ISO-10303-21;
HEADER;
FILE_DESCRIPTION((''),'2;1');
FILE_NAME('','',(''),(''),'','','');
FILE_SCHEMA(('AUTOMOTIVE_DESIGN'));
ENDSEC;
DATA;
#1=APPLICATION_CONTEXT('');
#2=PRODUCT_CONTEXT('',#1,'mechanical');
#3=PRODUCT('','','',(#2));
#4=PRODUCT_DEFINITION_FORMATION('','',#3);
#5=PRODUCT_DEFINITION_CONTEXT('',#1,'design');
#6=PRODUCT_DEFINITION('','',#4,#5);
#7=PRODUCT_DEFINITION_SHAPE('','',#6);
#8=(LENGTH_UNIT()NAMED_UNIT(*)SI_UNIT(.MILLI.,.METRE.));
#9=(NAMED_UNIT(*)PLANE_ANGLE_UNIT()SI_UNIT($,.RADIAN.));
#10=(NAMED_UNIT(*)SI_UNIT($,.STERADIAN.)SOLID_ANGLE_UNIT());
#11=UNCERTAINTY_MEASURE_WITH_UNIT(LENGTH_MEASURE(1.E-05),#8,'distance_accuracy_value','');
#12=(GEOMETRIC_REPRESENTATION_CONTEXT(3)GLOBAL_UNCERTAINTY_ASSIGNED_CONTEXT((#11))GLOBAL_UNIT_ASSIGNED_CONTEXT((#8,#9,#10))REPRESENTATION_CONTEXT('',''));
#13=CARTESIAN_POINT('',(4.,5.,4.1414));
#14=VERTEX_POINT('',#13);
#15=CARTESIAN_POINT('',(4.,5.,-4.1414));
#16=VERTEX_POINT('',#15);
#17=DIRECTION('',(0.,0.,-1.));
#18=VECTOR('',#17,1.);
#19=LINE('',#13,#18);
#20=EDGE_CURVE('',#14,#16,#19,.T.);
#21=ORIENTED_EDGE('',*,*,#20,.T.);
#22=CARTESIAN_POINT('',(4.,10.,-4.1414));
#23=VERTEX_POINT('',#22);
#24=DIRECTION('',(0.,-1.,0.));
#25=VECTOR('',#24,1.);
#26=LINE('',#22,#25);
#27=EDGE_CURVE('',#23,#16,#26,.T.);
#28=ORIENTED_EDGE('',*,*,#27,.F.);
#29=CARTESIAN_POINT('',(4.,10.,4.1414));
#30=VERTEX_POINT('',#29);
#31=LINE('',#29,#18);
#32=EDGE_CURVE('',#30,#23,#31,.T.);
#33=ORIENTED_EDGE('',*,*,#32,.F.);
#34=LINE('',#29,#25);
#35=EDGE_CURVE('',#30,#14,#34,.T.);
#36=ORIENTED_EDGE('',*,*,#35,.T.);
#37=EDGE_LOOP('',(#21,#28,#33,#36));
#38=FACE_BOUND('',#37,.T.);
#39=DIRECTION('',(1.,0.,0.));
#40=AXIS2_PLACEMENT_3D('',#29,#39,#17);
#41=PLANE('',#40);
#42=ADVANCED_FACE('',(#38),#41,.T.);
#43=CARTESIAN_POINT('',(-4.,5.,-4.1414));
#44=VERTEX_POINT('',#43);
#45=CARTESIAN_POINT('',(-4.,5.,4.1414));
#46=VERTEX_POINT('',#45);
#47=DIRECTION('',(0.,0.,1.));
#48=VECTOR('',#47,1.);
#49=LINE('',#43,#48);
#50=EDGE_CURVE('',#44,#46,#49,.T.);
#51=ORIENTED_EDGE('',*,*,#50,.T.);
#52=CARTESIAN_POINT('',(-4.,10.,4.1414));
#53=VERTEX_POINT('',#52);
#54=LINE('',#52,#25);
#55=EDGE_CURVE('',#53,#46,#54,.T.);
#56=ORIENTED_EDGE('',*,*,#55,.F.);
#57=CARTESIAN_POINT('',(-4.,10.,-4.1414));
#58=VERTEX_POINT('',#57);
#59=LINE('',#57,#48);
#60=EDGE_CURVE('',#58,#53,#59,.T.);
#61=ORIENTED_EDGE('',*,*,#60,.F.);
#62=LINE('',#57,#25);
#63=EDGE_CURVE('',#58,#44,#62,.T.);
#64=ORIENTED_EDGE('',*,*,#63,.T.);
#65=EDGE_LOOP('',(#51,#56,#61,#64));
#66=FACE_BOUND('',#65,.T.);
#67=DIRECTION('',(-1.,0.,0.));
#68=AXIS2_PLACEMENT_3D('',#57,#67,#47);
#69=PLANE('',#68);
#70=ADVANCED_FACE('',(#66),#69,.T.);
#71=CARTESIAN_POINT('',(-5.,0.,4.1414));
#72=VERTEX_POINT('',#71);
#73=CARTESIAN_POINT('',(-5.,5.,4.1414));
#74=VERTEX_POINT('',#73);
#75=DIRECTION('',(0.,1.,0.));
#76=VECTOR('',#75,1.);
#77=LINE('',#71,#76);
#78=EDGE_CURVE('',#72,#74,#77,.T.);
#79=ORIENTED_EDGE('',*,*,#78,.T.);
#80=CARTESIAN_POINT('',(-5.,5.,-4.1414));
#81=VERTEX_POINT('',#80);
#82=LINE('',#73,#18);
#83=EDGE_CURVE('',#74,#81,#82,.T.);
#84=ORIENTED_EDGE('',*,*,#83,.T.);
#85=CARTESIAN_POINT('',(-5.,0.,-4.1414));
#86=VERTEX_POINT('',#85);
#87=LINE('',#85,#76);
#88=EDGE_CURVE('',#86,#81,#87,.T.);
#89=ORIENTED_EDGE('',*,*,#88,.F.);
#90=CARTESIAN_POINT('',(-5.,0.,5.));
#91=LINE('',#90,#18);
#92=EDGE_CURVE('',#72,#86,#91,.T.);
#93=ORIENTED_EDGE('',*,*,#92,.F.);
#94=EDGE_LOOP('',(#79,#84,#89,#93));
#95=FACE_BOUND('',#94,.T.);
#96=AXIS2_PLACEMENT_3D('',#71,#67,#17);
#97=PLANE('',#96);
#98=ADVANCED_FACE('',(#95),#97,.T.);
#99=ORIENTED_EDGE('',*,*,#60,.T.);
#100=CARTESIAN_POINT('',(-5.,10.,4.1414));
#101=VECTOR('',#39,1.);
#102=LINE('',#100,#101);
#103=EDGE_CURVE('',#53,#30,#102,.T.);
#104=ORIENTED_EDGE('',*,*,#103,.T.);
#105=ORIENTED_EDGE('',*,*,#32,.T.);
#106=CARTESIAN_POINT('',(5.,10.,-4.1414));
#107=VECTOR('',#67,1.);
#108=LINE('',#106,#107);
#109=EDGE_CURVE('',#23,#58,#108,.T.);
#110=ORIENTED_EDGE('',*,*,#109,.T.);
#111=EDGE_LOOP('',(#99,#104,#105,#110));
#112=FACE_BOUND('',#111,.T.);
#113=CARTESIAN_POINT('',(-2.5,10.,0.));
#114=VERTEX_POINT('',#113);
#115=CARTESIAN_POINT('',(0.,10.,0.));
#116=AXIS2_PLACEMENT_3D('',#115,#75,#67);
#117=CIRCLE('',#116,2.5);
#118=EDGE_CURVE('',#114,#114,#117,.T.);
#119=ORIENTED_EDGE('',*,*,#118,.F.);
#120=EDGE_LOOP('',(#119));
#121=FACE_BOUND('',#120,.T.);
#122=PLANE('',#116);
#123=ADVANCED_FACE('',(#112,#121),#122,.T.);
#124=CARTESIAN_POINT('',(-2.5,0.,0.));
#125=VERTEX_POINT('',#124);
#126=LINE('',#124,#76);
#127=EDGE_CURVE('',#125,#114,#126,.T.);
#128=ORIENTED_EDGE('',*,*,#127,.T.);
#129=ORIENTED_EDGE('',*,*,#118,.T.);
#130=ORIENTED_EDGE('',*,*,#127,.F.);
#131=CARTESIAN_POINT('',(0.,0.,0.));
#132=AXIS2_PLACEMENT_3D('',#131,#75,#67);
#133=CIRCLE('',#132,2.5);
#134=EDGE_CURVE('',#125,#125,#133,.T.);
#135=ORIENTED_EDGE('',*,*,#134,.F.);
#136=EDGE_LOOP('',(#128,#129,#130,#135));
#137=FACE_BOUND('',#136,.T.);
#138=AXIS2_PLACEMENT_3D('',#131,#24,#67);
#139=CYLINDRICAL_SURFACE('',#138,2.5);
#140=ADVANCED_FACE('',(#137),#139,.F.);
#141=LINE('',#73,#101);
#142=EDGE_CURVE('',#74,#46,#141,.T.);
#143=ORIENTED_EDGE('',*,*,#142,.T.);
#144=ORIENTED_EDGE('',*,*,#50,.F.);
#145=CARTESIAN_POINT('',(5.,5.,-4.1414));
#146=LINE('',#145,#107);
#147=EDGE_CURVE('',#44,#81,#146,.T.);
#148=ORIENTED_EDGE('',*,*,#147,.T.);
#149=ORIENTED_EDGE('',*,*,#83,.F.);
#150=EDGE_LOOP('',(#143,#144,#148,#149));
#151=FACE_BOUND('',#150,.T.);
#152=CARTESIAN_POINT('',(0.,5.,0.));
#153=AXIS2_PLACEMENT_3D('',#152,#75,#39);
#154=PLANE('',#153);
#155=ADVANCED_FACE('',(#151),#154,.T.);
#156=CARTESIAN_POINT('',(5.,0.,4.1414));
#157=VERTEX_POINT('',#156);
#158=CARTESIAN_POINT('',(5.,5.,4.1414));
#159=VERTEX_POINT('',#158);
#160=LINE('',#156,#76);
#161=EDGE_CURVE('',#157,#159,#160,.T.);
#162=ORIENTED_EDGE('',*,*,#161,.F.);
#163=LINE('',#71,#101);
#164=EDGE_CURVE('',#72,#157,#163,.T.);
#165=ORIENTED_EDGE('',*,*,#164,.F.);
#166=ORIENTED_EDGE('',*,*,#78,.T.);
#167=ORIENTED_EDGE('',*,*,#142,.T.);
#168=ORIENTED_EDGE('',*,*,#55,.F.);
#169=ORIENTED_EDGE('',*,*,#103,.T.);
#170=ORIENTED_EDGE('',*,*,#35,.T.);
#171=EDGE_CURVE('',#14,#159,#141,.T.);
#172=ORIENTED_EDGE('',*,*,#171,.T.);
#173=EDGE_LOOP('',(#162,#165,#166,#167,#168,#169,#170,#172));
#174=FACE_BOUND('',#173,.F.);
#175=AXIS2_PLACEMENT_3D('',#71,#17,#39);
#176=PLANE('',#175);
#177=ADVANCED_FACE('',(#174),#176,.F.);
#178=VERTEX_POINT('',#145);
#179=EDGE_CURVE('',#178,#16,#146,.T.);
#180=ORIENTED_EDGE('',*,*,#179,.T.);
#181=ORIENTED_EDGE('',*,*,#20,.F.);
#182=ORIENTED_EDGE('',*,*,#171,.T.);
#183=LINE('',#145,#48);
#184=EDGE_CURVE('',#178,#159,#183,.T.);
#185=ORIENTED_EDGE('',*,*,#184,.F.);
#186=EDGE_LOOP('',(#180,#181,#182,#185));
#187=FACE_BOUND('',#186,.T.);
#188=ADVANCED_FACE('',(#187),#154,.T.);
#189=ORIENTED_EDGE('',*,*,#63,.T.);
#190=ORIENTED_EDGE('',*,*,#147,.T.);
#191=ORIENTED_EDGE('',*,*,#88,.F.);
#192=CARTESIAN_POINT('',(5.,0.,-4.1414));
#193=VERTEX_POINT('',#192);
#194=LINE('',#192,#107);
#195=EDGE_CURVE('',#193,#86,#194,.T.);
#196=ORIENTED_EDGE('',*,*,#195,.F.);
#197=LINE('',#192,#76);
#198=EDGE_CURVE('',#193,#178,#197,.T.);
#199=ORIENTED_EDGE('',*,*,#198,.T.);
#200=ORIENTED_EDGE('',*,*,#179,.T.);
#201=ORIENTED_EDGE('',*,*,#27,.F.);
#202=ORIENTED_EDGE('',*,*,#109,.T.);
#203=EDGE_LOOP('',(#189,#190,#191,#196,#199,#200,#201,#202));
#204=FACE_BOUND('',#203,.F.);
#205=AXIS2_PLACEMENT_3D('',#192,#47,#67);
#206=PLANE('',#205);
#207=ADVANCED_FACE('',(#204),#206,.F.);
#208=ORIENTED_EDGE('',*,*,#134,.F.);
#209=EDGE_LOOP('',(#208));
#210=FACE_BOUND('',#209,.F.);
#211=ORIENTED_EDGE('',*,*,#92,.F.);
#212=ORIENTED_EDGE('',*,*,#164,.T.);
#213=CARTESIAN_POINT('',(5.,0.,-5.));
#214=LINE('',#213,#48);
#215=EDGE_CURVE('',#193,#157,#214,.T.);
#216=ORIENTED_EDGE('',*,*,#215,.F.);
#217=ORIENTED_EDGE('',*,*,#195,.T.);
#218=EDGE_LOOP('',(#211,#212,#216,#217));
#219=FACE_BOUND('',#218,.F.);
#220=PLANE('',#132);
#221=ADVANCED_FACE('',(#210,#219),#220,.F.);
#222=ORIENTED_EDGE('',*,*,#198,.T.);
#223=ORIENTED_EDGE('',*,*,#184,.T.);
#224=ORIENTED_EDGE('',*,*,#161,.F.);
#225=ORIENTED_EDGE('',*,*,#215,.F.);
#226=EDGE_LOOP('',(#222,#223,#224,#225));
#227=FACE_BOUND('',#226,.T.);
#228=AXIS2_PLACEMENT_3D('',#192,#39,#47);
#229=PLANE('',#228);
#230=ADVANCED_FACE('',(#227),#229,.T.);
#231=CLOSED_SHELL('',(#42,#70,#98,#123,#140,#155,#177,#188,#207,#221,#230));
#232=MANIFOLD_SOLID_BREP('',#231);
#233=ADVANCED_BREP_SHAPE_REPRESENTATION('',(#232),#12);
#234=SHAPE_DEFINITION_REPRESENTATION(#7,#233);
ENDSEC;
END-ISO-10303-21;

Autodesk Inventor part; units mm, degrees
ref_plane "YZ Plane" through (0, 0, 0) normal (1, 0, 0) x (0, 1, 0)
ref_plane "XZ Plane" through (0, 0, 0) normal (0, 1, 0) x (-1, 0, 0)
ref_plane "XY Plane" through (0, 0, 0) normal (0, 0, 1) x (1, 0, 0)
sketch "Sketch2" plane through (0, 0, 0) normal (0, 1, 0) x (-1, 0, 0)
  line L0 (-5, 5) -> (5, 5)
  line L1 (5, 5) -> (5, -5)
  line L2 (5, -5) -> (-5, -5)
  line L3 (-5, -5) -> (-5, 5)
  line L4 (-5, 5) -> (5, -5) construction
  line L5 (5, 5) -> (-5, -5) construction
  circle A0 centre (0, 0) radius 2.5
  line L6 (5, 4.1414) -> (-5, 4.1414)
  line L7 (-5, -4.1414) -> (5, -4.1414)
  point P0 (5, -4.1414)
  dimension "d0" = 10
  dimension "d1" = 10
  dimension "d2" = 5
  dimension "d5" = 180
extrude "Extrusion1" add sketch "Sketch2" along normal blind 10 contours L6 L1 L7 L3
sketch "Sketch3" plane through (0, 10, 0) normal (0, 1, 0) x (1, 0, 0)
  line L0 (5, 4.1414) -> (-5, 4.1414) projected
  line L1 (-5, -4.1414) -> (5, -4.1414) projected
  line L2 (-5, 4.1414) -> (-4, 4.1414)
  line L3 (-4, 4.1414) -> (-4, -4.1414)
  line L4 (-4, -4.1414) -> (-5, -4.1414)
  line L5 (-5, -4.1414) -> (-5, 4.1414)
  line L6 (5, -4.1414) -> (4, -4.1414)
  line L7 (4, -4.1414) -> (4, 4.1414)
  line L8 (4, 4.1414) -> (5, 4.1414)
  line L9 (5, 4.1414) -> (5, -4.1414)
  point P0 (0, 0)
  dimension "d9" = 1
  dimension "d12" = 180
extrude "Extrusion2" cut sketch "Sketch3" against normal blind 5 contours L9 L1 L7 L0 | L3 L1 L5 L0
